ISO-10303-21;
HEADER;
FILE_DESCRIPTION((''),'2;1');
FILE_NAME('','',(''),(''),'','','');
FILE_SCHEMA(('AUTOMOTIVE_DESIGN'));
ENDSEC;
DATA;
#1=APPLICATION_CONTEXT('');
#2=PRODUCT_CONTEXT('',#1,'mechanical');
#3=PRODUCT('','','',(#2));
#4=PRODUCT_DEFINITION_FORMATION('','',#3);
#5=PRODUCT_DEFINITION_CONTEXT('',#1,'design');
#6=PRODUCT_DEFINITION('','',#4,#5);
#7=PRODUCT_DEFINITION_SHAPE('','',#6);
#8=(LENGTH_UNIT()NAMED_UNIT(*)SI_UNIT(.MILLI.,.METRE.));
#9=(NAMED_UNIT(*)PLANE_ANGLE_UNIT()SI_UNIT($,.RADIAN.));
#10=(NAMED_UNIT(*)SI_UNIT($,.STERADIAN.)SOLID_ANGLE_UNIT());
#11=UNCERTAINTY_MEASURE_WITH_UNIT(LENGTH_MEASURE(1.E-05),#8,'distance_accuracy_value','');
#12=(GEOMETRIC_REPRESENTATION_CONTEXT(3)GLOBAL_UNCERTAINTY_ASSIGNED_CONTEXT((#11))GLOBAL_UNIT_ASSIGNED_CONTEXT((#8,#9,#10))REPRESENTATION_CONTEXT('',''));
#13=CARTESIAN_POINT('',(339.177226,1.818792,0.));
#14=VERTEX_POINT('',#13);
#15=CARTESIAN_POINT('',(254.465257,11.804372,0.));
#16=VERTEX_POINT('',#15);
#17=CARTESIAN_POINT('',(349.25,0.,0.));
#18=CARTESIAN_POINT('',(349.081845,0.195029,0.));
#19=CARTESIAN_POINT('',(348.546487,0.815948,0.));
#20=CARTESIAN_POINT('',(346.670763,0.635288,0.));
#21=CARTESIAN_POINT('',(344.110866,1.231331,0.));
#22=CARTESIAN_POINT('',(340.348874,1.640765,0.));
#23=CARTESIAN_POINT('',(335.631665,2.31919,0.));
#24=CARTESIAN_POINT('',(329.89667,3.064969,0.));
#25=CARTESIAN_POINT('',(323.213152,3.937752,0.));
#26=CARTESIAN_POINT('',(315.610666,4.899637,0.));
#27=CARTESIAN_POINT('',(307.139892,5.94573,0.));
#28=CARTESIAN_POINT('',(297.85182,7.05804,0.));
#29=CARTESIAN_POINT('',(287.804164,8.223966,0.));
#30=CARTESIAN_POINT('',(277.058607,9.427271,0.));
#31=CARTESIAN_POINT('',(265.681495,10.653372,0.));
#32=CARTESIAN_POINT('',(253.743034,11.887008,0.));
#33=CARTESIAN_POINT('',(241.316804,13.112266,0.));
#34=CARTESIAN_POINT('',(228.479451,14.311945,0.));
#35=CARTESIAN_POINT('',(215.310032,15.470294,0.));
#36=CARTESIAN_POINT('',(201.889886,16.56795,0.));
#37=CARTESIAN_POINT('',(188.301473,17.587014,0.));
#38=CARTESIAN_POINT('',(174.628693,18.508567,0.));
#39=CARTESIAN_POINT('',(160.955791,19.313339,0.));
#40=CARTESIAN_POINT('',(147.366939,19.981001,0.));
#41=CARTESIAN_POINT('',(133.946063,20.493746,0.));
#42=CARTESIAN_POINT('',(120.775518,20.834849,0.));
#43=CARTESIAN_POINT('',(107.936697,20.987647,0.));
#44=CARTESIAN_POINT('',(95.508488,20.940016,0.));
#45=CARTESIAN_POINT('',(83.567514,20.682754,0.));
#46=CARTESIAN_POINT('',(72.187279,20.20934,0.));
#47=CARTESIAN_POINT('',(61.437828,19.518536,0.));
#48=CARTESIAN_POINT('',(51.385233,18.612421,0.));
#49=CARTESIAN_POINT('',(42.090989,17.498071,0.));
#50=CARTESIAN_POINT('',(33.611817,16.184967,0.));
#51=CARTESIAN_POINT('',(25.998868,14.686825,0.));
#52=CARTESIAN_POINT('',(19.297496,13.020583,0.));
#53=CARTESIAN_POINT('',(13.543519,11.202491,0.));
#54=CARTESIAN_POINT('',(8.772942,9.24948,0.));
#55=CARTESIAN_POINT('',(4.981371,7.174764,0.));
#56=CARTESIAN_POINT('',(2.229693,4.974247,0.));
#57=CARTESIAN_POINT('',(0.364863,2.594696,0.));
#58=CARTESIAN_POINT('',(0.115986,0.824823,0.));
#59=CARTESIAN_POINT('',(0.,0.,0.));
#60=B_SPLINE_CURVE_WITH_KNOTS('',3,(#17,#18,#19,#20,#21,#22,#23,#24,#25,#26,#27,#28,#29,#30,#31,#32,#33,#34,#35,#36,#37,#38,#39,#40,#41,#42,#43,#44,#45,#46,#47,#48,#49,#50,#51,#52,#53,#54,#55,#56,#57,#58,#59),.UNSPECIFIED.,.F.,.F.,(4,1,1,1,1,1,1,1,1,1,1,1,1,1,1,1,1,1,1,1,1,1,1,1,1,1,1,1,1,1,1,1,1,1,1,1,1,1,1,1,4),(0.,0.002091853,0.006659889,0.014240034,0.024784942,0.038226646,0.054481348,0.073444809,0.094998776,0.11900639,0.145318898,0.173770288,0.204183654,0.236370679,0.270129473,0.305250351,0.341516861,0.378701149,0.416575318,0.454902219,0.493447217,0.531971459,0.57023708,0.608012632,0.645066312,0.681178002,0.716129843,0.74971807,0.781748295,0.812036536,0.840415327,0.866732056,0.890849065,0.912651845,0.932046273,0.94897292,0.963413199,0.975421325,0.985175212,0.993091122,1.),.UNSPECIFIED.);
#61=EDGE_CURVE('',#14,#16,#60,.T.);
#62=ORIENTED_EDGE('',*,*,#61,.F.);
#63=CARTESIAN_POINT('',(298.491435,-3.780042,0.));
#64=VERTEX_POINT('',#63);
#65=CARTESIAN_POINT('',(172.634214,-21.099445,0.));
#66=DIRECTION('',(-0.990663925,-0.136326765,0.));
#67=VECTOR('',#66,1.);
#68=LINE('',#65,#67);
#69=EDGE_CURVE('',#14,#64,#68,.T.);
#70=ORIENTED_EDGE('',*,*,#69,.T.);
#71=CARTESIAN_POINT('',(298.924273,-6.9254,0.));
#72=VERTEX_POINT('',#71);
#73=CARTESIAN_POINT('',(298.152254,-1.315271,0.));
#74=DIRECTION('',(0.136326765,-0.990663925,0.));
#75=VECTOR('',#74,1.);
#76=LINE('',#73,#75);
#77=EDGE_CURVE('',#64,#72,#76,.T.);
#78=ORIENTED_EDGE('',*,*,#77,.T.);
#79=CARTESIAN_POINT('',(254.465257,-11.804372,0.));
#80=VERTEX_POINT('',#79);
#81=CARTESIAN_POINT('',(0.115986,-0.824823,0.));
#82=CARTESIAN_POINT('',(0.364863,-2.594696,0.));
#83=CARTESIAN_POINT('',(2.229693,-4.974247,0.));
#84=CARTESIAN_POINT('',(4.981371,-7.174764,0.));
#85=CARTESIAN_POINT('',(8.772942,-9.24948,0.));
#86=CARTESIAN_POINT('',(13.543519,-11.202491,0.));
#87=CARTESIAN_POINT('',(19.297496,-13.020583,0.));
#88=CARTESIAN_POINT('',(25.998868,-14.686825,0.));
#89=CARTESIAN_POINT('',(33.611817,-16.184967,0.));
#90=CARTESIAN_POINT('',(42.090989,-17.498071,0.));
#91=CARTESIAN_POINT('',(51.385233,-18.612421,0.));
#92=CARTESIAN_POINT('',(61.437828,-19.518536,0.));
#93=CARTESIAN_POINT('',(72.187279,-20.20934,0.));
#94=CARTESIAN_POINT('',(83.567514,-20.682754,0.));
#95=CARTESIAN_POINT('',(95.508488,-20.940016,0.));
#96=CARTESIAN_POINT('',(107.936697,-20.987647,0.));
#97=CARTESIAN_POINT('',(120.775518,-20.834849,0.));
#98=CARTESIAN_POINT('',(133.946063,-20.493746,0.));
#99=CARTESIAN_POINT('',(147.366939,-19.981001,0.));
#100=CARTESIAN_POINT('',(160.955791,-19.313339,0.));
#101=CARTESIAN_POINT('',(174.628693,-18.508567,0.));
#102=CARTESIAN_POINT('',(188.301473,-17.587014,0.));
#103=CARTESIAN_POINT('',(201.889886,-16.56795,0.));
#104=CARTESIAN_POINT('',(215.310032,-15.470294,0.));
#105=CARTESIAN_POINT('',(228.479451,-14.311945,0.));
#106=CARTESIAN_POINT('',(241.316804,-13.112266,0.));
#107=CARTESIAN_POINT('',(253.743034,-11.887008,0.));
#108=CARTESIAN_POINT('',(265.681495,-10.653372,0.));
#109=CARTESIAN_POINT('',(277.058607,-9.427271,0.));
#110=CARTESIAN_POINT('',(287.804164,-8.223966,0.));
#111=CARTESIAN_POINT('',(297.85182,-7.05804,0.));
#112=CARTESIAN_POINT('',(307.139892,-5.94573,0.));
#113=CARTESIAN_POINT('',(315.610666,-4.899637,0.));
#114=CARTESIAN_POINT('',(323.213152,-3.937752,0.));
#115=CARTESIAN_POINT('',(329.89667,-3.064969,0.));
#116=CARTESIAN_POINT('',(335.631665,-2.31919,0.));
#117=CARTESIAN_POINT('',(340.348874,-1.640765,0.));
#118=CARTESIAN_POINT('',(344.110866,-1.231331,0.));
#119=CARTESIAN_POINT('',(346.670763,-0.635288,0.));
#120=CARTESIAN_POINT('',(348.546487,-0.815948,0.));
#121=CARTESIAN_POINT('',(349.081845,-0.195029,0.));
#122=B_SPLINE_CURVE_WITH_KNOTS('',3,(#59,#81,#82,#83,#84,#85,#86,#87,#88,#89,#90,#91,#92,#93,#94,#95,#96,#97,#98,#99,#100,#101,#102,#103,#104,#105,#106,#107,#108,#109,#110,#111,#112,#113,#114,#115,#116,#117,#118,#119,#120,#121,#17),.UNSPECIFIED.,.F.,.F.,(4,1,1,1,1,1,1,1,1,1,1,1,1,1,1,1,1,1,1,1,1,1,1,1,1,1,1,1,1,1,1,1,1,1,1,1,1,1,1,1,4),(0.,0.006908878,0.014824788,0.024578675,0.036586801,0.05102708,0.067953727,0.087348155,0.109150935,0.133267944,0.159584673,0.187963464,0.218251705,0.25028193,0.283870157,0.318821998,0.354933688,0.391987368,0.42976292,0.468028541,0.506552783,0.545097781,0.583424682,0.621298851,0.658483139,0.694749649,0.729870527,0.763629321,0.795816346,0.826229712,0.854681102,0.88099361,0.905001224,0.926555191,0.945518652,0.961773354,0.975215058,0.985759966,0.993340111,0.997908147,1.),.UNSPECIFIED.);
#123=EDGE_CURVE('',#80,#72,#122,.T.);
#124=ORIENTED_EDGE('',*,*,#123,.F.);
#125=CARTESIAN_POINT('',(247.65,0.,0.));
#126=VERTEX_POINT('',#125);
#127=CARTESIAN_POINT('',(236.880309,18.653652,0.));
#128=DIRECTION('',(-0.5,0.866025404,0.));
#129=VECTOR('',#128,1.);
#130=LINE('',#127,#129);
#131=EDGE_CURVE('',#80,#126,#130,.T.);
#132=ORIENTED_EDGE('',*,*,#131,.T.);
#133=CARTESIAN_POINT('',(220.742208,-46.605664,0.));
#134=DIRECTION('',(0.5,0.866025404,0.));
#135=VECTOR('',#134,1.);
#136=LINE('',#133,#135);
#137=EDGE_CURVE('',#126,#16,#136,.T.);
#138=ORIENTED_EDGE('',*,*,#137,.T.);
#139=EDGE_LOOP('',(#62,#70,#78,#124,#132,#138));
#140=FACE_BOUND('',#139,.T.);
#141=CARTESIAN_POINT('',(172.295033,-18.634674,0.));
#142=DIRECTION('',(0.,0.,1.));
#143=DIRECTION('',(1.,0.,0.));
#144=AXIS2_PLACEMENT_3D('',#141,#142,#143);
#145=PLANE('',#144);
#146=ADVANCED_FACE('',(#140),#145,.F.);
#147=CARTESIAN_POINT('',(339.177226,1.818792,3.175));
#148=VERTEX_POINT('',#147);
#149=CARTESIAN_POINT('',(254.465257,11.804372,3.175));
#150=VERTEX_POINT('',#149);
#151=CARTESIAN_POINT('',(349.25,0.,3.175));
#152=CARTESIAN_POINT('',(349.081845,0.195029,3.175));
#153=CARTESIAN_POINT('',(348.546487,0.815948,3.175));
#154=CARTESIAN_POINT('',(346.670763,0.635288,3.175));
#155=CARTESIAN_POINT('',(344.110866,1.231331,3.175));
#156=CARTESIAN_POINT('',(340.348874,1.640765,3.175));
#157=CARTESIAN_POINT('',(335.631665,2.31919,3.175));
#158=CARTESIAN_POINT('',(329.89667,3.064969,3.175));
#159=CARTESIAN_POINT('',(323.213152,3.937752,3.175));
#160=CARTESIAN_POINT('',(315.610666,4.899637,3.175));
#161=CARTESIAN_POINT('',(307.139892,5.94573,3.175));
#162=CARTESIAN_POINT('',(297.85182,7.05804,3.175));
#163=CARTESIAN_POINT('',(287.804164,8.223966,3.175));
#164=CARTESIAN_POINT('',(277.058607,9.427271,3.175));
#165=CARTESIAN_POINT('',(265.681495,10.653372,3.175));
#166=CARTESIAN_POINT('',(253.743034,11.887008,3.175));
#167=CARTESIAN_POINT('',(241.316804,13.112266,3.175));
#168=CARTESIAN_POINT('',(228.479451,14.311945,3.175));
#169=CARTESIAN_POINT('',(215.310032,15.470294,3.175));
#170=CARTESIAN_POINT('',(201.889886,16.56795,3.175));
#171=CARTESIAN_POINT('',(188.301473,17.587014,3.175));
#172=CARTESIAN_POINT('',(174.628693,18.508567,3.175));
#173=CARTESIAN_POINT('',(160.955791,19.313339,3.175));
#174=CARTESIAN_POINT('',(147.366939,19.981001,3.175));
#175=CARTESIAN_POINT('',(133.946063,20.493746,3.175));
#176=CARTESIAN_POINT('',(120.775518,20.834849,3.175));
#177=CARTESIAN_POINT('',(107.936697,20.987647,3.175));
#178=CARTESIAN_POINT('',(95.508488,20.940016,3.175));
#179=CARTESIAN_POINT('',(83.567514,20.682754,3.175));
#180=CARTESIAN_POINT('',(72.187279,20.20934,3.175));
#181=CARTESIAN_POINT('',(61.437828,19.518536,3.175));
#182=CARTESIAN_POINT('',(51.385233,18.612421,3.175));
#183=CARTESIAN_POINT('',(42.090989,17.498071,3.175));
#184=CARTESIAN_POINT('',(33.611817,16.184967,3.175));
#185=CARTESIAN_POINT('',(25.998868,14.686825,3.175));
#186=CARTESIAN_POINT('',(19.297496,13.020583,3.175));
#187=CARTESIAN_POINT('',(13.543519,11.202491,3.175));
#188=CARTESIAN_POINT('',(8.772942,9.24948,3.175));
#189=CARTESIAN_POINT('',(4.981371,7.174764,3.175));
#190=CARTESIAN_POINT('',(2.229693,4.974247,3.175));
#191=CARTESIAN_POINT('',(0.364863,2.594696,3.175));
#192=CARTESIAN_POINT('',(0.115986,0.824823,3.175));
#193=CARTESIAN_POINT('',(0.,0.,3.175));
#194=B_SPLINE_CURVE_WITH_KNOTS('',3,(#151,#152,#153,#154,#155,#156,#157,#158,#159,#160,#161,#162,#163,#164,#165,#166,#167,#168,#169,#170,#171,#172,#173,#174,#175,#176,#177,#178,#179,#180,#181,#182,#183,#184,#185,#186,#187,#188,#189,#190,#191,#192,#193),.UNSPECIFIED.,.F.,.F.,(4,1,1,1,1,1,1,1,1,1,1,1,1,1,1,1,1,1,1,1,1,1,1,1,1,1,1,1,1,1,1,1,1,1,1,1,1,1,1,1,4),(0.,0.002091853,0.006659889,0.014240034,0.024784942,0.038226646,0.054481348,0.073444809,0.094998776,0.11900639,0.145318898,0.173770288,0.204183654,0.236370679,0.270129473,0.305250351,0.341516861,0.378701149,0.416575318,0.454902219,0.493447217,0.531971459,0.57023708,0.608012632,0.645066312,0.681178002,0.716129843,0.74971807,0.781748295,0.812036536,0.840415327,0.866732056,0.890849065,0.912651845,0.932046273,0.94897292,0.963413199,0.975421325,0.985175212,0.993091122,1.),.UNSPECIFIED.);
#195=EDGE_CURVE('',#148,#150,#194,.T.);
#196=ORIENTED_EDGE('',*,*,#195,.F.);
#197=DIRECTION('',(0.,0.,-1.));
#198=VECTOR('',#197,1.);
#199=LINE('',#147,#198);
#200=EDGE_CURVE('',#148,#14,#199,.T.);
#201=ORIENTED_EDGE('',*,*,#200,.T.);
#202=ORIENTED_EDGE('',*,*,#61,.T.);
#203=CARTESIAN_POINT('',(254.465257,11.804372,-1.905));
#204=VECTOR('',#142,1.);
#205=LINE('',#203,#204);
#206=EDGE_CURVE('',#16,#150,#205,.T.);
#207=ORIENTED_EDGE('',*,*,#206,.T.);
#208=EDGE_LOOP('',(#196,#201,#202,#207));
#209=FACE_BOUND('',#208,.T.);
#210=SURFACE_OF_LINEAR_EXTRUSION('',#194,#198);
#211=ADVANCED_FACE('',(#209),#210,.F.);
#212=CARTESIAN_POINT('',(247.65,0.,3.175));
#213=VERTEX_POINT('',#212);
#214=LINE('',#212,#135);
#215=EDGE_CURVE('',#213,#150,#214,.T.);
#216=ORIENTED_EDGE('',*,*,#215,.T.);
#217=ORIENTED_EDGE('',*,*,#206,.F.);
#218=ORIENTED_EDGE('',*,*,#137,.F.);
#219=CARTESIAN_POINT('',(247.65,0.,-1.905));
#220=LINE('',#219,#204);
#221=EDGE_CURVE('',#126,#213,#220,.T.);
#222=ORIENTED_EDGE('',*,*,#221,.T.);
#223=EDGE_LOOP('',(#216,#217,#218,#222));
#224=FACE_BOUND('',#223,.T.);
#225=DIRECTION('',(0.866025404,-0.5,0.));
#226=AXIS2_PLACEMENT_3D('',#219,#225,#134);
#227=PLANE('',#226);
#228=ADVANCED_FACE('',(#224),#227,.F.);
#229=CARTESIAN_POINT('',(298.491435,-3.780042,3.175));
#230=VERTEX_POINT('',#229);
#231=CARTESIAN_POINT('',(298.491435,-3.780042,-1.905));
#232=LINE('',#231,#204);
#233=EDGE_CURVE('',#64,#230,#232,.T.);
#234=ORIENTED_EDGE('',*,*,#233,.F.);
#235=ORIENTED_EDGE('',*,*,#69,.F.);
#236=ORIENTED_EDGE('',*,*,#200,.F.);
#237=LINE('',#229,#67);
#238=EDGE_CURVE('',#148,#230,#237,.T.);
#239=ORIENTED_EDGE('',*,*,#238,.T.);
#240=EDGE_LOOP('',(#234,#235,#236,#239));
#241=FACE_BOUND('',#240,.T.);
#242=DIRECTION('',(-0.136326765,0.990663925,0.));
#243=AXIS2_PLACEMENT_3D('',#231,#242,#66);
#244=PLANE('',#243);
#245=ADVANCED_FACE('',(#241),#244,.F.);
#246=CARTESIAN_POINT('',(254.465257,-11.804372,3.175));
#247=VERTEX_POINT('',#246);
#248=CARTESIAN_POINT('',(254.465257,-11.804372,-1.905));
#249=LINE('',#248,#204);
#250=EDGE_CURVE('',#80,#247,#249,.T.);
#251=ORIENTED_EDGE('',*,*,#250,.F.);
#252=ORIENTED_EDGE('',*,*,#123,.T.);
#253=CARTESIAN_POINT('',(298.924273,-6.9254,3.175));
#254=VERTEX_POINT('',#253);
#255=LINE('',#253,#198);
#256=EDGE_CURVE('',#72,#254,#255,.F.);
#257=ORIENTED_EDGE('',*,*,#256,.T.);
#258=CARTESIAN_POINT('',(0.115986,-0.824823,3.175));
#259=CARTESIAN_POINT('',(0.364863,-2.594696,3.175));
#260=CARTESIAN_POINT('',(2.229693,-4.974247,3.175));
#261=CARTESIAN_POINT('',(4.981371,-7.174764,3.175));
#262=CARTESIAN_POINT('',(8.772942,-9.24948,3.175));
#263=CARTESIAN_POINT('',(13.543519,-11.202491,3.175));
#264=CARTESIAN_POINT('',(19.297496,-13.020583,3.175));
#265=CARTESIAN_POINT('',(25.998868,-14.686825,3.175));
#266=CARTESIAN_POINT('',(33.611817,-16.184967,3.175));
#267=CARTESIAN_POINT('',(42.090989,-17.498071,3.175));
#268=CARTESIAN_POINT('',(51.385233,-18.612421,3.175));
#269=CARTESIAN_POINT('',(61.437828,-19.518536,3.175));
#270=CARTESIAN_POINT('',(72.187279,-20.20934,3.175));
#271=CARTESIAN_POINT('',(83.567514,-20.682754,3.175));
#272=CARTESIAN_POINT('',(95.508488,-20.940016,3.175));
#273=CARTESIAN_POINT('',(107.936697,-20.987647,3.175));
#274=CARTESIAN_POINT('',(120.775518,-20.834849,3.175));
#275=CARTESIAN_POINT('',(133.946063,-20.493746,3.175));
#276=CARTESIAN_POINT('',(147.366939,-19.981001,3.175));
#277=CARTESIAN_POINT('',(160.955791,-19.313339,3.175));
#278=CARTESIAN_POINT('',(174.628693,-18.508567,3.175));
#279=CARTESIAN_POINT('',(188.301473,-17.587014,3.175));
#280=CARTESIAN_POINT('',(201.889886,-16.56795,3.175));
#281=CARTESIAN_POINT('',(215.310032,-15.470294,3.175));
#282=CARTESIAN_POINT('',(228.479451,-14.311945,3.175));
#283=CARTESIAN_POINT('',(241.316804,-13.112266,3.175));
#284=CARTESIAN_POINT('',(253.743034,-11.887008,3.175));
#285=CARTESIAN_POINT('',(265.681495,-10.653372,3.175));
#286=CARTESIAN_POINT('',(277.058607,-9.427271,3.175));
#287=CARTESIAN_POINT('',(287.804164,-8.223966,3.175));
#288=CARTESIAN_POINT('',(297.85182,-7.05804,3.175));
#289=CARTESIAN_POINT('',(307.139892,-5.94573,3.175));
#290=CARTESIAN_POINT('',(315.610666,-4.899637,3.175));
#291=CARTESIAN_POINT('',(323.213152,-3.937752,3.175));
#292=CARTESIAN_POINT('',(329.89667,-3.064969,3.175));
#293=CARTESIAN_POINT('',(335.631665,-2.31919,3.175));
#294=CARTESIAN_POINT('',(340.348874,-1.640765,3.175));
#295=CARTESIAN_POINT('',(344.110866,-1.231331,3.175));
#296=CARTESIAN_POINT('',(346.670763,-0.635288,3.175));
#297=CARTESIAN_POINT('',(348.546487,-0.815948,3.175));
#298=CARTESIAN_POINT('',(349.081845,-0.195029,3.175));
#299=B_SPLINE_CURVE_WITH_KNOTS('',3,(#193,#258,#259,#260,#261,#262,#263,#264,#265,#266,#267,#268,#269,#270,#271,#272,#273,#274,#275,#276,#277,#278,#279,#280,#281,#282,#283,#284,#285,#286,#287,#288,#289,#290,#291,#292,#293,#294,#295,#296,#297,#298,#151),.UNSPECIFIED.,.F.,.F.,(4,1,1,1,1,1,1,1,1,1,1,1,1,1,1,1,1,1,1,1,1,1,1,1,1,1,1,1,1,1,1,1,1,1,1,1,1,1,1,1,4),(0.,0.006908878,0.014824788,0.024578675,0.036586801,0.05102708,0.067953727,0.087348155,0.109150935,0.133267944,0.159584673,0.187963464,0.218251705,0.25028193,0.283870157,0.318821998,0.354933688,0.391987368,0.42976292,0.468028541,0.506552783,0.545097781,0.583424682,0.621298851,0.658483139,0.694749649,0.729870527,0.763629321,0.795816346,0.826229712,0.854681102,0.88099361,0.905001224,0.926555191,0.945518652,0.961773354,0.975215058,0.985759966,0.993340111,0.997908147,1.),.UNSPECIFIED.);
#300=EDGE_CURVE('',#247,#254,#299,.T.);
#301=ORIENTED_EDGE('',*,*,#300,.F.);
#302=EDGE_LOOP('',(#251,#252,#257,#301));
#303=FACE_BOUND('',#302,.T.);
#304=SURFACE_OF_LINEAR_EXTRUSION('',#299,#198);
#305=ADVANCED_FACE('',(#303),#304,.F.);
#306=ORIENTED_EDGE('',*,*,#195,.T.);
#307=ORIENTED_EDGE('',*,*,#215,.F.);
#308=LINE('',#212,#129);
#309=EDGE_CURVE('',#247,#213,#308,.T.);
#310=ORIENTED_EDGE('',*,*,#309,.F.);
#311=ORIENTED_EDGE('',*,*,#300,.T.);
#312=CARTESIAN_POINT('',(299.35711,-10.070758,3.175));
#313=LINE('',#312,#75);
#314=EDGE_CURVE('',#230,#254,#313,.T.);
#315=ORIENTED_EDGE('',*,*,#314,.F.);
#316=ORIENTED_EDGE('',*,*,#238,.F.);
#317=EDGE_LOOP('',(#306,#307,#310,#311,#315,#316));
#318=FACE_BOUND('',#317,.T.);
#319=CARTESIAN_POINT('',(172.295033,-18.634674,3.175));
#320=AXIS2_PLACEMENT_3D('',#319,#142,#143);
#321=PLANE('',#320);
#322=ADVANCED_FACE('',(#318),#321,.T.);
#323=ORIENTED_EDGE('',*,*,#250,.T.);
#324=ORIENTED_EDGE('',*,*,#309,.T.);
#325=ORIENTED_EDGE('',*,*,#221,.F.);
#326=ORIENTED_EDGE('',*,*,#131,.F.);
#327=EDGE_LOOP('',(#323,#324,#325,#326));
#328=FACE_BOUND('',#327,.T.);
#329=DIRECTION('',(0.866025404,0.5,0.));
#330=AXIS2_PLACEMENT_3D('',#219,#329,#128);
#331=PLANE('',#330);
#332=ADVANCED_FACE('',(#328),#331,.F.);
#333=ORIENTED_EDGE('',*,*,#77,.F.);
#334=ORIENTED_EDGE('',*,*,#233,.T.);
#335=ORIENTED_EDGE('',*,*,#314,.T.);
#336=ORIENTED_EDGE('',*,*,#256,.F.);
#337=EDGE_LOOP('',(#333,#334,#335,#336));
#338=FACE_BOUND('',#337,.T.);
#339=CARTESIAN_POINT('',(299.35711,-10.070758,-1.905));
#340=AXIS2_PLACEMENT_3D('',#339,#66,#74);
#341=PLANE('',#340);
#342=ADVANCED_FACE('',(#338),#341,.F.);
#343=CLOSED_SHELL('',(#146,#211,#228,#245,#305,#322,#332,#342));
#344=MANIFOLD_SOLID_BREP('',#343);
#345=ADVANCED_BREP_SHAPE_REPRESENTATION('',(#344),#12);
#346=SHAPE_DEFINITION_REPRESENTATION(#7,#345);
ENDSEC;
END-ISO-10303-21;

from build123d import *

# Parameters (mm, degrees)
BOSS_EXTRUDE1_DEPTH = 3.175
CUT_EXTRUDE1_DEPTH  = 5.08


with BuildPart() as part:
    # Sketch2 → Boss-Extrude1 (new body)
    with BuildSketch(Plane.XY):
        with BuildLine():
            add(Edge.make_bspline(
                [(349.25, 0), (349.081845346, 0.195028946), (348.546486748, 0.815947966), (346.670763268, 0.635287815), (344.11086643, 1.231330826), (340.348873806, 1.640765335), (335.631665172, 2.319189902), (329.896669995, 3.064968776), (323.213152208, 3.937751592), (315.610665982, 4.899637326), (307.139892382, 5.94572983), (297.851820227, 7.058039906), (287.804163994, 8.223966301), (277.05860736, 9.42727111), (265.681494766, 10.653371923), (253.743033604, 11.887008331), (241.316804275, 13.11226643), (228.479451099, 14.31194461), (215.310032455, 15.470294327), (201.889886046, 16.567949836), (188.301472832, 17.587013879), (174.628693344, 18.508566703), (160.95579103, 19.313339436), (147.366939387, 19.981000511), (133.946062727, 20.493746123), (120.775518049, 20.834848585), (107.936696619, 20.987647162), (95.508487727, 20.940015693), (83.567514363, 20.682753776), (72.187279219, 20.209340103), (61.437827927, 19.518536296), (51.385233466, 18.612420938), (42.090988888, 17.498070831), (33.611817078, 16.184967443), (25.998868366, 14.686825017), (19.297496021, 13.02058345), (13.543519177, 11.202490675), (8.772941595, 9.249479701), (4.98137124, 7.174763565), (2.229693173, 4.974247418), (0.364862544, 2.594695774), (0.115985535, 0.824823436), (0, 0)],
                knots=[0, 0, 0, 0, 0.002091853, 0.006659889, 0.014240034, 0.024784942, 0.038226646, 0.054481348, 0.073444809, 0.094998776, 0.11900639, 0.145318898, 0.173770288, 0.204183654, 0.236370679, 0.270129473, 0.305250351, 0.341516861, 0.378701149, 0.416575318, 0.454902219, 0.493447217, 0.531971459, 0.57023708, 0.608012632, 0.645066312, 0.681178002, 0.716129843, 0.74971807, 0.781748295, 0.812036536, 0.840415327, 0.866732056, 0.890849065, 0.912651845, 0.932046273, 0.94897292, 0.963413199, 0.975421325, 0.985175212, 0.993091122, 1, 1, 1, 1], degree=3))
            add(Edge.make_bspline(
                [(349.25, 0), (349.081845346, -0.195028946), (348.546486748, -0.815947966), (346.670763268, -0.635287815), (344.11086643, -1.231330826), (340.348873806, -1.640765335), (335.631665172, -2.319189902), (329.896669995, -3.064968776), (323.213152208, -3.937751592), (315.610665982, -4.899637326), (307.139892382, -5.94572983), (297.851820227, -7.058039906), (287.804163994, -8.223966301), (277.05860736, -9.42727111), (265.681494766, -10.653371923), (253.743033604, -11.887008331), (241.316804275, -13.11226643), (228.479451099, -14.31194461), (215.310032455, -15.470294327), (201.889886046, -16.567949836), (188.301472832, -17.587013879), (174.628693344, -18.508566703), (160.95579103, -19.313339436), (147.366939387, -19.981000511), (133.946062727, -20.493746123), (120.775518049, -20.834848585), (107.936696619, -20.987647162), (95.508487727, -20.940015693), (83.567514363, -20.682753776), (72.187279219, -20.209340103), (61.437827927, -19.518536296), (51.385233466, -18.612420938), (42.090988888, -17.498070831), (33.611817078, -16.184967443), (25.998868366, -14.686825017), (19.297496021, -13.02058345), (13.543519177, -11.202490675), (8.772941595, -9.249479701), (4.98137124, -7.174763565), (2.229693173, -4.974247418), (0.364862544, -2.594695774), (0.115985535, -0.824823436), (0, 0)],
                knots=[0, 0, 0, 0, 0.002091853, 0.006659889, 0.014240034, 0.024784942, 0.038226646, 0.054481348, 0.073444809, 0.094998776, 0.11900639, 0.145318898, 0.173770288, 0.204183654, 0.236370679, 0.270129473, 0.305250351, 0.341516861, 0.378701149, 0.416575318, 0.454902219, 0.493447217, 0.531971459, 0.57023708, 0.608012632, 0.645066312, 0.681178002, 0.716129843, 0.74971807, 0.781748295, 0.812036536, 0.840415327, 0.866732056, 0.890849065, 0.912651845, 0.932046273, 0.94897292, 0.963413199, 0.975421325, 0.985175212, 0.993091122, 1, 1, 1, 1], degree=3))
        make_face()
    extrude(amount=BOSS_EXTRUDE1_DEPTH)

    # Sketch3 → Cut-Extrude1 (cut)
    with BuildSketch(Plane.XY.offset(3.175)):
        Polygon((247.65, 50.8), (0, 50.8), (0, 0), (0, -50.8), (247.65, -50.8), (254.465257243, -11.804371811), (247.65, 0), (254.465257243, 11.804371811), align=None)
        Polygon((299.357110071, -10.070757643), (349.68283748, -3.145357963), (348.81716252, 3.145357963), (298.491435111, -3.780041717), align=None)
    extrude(amount=-CUT_EXTRUDE1_DEPTH, mode=Mode.SUBTRACT)


solid = part.part
